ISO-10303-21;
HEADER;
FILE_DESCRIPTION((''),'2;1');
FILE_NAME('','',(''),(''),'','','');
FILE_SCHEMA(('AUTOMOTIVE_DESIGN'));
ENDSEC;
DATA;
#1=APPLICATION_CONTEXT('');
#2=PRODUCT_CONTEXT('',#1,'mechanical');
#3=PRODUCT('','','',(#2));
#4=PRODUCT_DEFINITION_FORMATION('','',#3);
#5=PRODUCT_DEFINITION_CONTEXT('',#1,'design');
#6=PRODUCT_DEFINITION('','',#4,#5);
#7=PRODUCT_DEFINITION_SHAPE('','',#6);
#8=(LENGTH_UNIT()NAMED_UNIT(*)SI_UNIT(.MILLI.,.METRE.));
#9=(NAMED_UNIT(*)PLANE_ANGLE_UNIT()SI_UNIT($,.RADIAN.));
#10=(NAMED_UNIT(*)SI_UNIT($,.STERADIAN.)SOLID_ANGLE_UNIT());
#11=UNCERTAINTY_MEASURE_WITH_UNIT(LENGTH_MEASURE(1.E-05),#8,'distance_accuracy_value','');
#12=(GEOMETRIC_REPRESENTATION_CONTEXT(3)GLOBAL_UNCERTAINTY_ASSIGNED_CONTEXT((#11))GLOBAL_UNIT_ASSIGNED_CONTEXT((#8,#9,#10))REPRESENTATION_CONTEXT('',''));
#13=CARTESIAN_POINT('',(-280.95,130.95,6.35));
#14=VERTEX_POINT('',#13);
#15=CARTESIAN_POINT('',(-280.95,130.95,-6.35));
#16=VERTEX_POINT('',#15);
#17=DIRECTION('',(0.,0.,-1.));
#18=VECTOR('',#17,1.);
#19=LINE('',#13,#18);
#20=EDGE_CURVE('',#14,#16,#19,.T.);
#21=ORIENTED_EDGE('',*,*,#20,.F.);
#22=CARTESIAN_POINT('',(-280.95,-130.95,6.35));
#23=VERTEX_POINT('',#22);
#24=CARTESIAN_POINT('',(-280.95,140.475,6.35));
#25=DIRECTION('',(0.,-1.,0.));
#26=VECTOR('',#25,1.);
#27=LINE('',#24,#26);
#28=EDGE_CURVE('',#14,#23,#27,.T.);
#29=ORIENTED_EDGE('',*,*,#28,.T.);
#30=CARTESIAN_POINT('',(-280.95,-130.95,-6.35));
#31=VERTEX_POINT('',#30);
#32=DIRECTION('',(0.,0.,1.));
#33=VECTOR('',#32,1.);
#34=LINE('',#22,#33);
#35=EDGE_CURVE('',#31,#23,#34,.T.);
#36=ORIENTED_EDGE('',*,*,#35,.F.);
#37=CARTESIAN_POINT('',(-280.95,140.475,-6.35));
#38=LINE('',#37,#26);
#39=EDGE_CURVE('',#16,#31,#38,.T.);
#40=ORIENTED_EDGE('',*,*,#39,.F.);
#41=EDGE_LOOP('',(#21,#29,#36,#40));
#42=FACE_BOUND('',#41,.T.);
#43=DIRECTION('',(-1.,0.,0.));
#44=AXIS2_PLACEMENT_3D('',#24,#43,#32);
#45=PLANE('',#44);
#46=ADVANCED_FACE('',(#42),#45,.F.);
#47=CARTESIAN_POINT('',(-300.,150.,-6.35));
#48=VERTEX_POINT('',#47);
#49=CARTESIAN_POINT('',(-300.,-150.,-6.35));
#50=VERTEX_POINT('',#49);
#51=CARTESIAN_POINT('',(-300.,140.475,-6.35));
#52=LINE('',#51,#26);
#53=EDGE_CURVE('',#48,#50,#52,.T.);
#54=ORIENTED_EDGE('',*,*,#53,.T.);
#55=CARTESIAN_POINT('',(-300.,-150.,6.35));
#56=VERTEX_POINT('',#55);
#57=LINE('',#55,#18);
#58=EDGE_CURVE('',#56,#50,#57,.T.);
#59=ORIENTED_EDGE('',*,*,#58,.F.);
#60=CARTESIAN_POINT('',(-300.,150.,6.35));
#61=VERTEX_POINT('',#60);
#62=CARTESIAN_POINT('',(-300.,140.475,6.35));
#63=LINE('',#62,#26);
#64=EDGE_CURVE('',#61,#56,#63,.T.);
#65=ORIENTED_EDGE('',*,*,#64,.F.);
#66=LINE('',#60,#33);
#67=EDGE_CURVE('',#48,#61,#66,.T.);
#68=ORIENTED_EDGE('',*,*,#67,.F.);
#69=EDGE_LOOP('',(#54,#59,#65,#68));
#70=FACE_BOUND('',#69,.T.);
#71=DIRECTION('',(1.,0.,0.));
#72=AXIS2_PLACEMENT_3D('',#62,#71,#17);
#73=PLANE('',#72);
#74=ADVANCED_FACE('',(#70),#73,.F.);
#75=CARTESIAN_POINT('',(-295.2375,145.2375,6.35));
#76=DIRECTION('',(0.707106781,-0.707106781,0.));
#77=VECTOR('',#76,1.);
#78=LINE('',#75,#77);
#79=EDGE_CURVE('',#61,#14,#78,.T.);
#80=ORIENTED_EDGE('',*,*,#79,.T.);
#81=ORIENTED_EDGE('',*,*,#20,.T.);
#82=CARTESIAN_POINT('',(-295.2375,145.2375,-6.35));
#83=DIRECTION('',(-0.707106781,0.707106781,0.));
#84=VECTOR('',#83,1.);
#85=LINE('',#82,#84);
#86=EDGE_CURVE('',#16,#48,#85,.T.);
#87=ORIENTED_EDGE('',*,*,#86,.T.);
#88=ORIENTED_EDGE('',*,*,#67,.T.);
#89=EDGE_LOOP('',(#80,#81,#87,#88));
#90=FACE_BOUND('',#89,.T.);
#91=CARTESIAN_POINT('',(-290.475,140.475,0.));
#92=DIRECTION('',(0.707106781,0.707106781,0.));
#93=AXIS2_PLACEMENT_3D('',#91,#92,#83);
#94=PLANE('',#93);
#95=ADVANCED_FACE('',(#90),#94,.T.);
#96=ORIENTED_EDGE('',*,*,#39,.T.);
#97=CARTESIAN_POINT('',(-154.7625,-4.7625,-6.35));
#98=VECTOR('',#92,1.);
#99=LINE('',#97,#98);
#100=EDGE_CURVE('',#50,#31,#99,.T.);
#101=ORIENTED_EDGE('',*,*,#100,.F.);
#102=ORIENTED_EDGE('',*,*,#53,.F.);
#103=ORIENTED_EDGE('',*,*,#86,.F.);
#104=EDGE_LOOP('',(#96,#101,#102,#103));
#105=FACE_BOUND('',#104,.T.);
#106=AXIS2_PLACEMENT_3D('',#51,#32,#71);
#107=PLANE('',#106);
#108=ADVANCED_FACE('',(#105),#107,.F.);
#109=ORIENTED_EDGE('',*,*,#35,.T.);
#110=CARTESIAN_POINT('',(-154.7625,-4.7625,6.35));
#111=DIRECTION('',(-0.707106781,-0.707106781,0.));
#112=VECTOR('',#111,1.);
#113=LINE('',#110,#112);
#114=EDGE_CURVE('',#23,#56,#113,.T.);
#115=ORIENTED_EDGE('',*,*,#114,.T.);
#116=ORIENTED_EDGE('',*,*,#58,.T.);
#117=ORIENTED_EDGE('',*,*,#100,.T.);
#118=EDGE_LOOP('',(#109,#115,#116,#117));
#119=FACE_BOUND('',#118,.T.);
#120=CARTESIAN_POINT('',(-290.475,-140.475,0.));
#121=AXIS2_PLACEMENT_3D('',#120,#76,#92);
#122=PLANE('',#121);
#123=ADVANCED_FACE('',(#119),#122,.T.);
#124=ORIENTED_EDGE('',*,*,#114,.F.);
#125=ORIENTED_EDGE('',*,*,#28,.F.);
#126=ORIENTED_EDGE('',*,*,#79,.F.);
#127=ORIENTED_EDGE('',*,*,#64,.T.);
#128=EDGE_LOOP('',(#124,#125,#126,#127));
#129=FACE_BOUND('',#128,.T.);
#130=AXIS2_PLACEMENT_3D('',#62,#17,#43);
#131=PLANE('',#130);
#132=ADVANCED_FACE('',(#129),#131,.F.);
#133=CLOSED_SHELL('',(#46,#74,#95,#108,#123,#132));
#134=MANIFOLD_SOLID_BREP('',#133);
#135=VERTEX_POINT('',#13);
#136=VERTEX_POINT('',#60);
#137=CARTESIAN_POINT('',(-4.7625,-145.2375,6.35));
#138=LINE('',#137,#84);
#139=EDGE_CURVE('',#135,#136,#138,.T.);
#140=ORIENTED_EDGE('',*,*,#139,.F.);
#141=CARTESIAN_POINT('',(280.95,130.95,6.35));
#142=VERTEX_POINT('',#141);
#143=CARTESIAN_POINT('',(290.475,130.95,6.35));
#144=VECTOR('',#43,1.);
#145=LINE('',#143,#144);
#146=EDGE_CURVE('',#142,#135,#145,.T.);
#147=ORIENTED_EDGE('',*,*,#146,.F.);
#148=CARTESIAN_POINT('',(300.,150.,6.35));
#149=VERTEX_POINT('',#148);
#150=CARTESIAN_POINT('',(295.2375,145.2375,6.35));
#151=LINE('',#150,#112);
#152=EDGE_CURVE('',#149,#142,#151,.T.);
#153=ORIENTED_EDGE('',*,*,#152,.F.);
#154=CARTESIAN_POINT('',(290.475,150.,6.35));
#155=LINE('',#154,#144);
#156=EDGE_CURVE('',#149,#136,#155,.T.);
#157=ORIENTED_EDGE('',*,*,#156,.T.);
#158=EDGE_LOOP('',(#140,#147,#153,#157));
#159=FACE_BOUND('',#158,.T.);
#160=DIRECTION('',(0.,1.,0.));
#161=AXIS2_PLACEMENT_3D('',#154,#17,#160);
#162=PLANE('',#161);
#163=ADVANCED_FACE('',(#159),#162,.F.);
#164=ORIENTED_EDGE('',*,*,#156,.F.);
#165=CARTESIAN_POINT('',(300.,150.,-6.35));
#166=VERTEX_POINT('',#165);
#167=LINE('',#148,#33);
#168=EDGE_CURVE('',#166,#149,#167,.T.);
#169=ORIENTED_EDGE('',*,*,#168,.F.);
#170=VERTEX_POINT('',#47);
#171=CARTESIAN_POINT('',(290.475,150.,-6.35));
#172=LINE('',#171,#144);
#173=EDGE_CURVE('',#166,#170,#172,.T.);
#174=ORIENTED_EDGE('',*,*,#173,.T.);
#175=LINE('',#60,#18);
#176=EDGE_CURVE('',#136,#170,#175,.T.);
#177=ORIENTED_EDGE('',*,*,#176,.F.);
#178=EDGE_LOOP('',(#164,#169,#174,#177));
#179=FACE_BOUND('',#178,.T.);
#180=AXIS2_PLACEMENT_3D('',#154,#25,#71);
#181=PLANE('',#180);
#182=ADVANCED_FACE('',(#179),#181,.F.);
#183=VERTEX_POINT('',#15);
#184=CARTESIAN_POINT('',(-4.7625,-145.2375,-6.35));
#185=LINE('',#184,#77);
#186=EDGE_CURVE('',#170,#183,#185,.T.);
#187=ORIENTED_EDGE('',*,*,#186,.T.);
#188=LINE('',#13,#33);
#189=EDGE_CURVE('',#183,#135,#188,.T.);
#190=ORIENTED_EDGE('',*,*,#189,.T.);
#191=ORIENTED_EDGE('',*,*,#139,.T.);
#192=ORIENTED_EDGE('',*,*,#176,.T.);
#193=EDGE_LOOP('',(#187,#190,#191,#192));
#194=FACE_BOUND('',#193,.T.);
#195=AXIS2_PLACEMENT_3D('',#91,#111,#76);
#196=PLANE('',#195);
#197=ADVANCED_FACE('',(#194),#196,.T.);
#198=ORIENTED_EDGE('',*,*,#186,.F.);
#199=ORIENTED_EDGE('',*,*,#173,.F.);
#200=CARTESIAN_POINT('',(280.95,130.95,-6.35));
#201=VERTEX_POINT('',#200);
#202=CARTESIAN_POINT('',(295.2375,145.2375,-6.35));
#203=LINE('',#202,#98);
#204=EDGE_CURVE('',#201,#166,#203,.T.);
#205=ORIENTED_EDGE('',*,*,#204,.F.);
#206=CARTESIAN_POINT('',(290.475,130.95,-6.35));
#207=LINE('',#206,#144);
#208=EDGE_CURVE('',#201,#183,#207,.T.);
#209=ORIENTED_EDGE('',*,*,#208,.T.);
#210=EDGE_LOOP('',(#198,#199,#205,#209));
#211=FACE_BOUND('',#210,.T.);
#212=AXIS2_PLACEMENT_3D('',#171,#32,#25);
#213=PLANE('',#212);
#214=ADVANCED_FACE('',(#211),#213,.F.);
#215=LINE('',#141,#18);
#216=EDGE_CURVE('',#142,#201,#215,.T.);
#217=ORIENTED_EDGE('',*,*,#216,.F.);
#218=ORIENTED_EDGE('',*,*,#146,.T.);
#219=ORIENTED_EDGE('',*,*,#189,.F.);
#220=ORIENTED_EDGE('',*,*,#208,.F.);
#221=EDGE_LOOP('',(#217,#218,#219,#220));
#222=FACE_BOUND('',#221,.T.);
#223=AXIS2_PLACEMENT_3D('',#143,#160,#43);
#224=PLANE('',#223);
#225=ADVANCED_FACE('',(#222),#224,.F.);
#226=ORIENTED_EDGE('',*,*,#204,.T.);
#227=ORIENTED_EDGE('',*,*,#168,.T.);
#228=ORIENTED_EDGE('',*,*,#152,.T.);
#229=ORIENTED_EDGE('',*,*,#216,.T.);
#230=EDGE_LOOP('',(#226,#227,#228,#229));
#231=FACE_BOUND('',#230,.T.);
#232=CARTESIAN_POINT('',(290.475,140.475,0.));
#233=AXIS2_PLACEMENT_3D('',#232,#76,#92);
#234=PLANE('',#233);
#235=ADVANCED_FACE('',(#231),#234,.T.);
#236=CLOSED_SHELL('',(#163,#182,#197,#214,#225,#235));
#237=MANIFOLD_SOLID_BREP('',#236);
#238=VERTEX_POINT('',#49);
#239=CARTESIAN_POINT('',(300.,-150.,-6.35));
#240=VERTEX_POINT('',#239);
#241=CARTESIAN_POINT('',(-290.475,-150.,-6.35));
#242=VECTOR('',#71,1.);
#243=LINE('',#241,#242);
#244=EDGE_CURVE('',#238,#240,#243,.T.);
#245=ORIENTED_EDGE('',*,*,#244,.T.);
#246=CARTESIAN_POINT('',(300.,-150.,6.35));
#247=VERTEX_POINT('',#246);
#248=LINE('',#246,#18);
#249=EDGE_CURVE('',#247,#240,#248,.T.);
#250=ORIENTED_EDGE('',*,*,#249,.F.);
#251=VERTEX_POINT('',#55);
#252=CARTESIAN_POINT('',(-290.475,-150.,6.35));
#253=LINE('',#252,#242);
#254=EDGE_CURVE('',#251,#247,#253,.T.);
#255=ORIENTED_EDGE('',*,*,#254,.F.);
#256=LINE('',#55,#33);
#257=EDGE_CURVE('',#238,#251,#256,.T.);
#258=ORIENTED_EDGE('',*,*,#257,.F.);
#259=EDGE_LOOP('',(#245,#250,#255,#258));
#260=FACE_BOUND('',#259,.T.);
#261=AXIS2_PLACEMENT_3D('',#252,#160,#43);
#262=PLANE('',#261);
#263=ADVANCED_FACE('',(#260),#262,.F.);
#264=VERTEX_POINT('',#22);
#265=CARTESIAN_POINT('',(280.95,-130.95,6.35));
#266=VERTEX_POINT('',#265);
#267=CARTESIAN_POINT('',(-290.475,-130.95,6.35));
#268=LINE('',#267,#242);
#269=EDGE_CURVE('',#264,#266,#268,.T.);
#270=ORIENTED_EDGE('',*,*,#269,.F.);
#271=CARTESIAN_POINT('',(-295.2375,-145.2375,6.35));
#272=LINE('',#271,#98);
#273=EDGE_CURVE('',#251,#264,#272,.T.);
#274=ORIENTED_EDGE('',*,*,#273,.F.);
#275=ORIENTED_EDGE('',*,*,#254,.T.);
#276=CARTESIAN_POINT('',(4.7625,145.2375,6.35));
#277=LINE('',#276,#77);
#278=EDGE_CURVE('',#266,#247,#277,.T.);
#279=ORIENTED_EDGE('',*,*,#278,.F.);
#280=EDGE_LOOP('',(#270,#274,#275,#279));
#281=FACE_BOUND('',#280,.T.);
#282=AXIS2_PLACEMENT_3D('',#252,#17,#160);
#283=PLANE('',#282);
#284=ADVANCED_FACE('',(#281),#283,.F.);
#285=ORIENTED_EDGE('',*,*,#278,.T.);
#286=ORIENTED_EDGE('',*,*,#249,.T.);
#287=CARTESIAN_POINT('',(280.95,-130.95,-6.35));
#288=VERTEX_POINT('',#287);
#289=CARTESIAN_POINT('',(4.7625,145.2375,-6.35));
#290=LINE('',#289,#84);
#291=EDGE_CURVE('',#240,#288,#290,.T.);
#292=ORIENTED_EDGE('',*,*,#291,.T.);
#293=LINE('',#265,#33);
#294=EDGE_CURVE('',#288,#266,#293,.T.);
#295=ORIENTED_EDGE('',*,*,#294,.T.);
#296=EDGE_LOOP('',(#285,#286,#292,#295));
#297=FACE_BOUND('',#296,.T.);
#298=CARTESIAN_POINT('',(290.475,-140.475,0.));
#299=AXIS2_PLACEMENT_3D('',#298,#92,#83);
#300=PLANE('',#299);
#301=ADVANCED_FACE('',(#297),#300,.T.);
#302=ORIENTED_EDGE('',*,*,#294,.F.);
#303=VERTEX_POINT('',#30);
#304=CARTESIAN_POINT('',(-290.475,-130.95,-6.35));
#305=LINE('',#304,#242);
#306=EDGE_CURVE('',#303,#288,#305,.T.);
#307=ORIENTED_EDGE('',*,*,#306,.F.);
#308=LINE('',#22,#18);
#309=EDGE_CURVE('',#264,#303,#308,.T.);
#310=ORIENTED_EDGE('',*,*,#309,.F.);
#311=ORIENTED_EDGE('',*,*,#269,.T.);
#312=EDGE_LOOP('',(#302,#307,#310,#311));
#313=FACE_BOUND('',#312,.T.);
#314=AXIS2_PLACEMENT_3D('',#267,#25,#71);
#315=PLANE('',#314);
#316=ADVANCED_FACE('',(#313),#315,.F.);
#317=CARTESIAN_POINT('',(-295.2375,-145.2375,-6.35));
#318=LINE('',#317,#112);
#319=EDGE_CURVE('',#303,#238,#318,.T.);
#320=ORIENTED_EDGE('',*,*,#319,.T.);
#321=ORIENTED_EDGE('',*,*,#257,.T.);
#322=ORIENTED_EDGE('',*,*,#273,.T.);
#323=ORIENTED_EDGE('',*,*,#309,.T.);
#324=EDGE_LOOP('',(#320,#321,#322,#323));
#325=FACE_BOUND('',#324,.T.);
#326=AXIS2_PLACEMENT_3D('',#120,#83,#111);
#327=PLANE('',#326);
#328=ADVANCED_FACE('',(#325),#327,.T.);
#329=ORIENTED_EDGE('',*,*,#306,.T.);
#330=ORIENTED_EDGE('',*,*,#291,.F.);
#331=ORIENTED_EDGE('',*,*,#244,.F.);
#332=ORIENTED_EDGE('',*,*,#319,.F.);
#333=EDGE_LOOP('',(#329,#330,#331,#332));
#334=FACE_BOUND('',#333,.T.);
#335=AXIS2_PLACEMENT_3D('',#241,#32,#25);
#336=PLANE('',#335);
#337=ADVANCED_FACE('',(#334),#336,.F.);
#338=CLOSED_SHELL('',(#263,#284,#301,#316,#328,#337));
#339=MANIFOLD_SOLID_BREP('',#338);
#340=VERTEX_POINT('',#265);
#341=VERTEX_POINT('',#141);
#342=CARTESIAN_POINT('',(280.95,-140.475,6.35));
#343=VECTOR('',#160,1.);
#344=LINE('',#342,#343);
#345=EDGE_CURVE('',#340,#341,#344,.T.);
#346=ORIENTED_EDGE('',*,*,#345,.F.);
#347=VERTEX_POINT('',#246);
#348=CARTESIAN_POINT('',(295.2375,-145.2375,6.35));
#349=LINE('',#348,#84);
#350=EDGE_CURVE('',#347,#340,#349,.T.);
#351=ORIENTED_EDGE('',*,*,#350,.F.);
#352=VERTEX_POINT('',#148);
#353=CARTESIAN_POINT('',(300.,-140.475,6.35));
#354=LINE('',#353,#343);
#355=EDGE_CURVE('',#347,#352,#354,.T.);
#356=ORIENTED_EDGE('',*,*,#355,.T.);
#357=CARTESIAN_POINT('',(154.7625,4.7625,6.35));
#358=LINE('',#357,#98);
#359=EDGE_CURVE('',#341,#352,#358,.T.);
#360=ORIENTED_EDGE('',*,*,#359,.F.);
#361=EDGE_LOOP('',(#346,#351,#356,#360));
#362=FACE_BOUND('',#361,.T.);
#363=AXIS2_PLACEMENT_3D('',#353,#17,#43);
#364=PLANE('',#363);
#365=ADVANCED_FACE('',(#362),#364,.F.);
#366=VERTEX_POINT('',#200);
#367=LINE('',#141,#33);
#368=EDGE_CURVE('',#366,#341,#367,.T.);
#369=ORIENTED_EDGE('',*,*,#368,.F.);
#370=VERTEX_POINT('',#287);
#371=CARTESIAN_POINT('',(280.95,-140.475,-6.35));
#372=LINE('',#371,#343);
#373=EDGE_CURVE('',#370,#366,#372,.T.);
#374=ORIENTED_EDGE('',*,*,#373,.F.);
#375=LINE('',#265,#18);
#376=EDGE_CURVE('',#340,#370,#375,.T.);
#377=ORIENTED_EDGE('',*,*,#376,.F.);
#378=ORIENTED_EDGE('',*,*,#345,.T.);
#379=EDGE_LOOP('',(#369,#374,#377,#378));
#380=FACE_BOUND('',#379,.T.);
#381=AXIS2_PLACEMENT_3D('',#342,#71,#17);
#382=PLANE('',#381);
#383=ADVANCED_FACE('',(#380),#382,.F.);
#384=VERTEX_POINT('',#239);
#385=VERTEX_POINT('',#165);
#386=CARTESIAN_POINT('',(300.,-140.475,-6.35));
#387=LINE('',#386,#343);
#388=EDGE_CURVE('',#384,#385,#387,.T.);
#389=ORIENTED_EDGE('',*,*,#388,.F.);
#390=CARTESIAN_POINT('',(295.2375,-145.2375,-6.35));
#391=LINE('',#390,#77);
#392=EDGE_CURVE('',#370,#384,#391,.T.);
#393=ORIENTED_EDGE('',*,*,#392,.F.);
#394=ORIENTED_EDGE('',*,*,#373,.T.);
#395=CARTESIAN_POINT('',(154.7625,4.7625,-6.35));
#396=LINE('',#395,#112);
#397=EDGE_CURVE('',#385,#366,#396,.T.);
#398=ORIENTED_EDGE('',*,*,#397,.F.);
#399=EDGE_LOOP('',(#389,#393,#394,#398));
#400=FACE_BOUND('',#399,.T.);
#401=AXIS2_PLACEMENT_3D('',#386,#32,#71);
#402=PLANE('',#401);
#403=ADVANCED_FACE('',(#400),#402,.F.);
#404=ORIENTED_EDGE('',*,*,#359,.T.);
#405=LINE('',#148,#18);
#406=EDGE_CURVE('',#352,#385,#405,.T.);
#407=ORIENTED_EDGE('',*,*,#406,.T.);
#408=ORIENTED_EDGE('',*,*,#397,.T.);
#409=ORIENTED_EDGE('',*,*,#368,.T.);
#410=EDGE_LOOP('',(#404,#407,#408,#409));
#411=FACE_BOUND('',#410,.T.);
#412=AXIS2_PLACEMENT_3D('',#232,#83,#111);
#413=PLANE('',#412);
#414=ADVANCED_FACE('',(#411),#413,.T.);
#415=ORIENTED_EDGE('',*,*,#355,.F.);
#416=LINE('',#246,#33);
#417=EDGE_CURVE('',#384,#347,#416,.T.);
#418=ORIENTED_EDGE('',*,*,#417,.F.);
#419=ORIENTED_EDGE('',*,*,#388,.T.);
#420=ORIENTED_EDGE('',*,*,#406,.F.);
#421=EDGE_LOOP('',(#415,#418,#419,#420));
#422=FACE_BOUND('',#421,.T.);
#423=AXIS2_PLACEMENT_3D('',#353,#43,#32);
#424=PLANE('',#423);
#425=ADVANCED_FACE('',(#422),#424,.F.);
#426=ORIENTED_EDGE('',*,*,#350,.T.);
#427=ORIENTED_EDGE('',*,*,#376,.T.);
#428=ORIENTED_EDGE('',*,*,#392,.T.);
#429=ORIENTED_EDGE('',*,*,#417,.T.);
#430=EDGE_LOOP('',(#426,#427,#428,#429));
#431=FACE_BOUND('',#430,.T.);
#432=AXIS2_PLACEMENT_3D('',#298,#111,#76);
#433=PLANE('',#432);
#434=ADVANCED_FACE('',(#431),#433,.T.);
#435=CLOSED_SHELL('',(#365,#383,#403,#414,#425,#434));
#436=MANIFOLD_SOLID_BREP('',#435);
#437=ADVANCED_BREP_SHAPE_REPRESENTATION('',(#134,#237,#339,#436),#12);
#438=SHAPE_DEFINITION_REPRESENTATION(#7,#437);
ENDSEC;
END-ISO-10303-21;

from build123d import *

# Parameters (mm, degrees)
AL_SOLID_PROFILES_0_75_X_0_5_1_DEPTH      = 593.3976253
AL_SOLID_PROFILES_0_75_X_0_5_1_DEPTH_BACK = 12.4476253
CROQUIS18_W                               = 19.05
CROQUIS18_H                               = 12.7
CROQUIS18_ON_SEGMENT_2_W                  = 19.05
CROQUIS18_ON_SEGMENT_2_H                  = 12.7
AL_SOLID_PROFILES_0_75_X_0_5_1_2_DEPTH    = 305.845250599
CROQUIS18_ON_SEGMENT_3_W                  = 19.05
CROQUIS18_ON_SEGMENT_3_H                  = 12.7
AL_SOLID_PROFILES_0_75_X_0_5_1_3_DEPTH    = 605.845250599
CROQUIS18_ON_SEGMENT_4_W                  = 19.05
CROQUIS18_ON_SEGMENT_4_H                  = 12.7
AL_SOLID_PROFILES_0_75_X_0_5_1_4_DEPTH    = 305.845250599


with BuildPart() as part:
    # Croquis18 → Al solid profiles 0.75 X 0.5(1) (new, two sides: drawn at the far end of the back side and taken through both)
    with BuildSketch(Plane(origin=(290.475, -140.475, 0), x_dir=(0, -1, 0), z_dir=(-1, 0, 0)).offset(-AL_SOLID_PROFILES_0_75_X_0_5_1_DEPTH_BACK)):
        Rectangle(CROQUIS18_W, CROQUIS18_H)
    extrude(amount=AL_SOLID_PROFILES_0_75_X_0_5_1_DEPTH + AL_SOLID_PROFILES_0_75_X_0_5_1_DEPTH_BACK)

    # Al solid profiles 0.75 X 0.5(1) mitre 1
    split(bisect_by=Plane(origin=(290.475, -140.475, 0), x_dir=(0.707106781, -0.707106781, 0), z_dir=(-0.707106781, -0.707106781, 0)), keep=Keep.TOP)

    # Al solid profiles 0.75 X 0.5(1) mitre 2
    split(bisect_by=Plane(origin=(-290.475, -140.475, 0), x_dir=(0.707106781, 0.707106781, 0), z_dir=(0.707106781, -0.707106781, 0)), keep=Keep.TOP)


with BuildPart() as body_2:
    # Croquis18 on segment 2 (carried to segment 2) → Al solid profiles 0.75 X 0.5_1 2 (new body)
    with BuildSketch(Plane(origin=(-290.475, -152.9226253, 0), x_dir=(-1, 0, 0), z_dir=(0, 1, 0))):
        Rectangle(CROQUIS18_ON_SEGMENT_2_W, CROQUIS18_ON_SEGMENT_2_H)
    extrude(amount=AL_SOLID_PROFILES_0_75_X_0_5_1_2_DEPTH)

    # Al solid profiles 0.75 X 0.5_1 2 mitre 1
    split(bisect_by=Plane(origin=(-290.475, 140.475, 0), x_dir=(0.707106781, -0.707106781, 0), z_dir=(-0.707106781, -0.707106781, 0)), keep=Keep.TOP)

    # Al solid profiles 0.75 X 0.5_1 2 mitre 2
    split(bisect_by=Plane(origin=(-290.475, -140.475, 0), x_dir=(-0.707106781, -0.707106781, 0), z_dir=(-0.707106781, 0.707106781, 0)), keep=Keep.TOP)


with BuildPart() as body_3:
    # Croquis18 on segment 3 (carried to segment 3) → Al solid profiles 0.75 X 0.5_1 3 (new body)
    with BuildSketch(Plane(origin=(-302.9226253, 140.475, 0), x_dir=(0, 1, 0), z_dir=(1, 0, 0))):
        Rectangle(CROQUIS18_ON_SEGMENT_3_W, CROQUIS18_ON_SEGMENT_3_H)
    extrude(amount=AL_SOLID_PROFILES_0_75_X_0_5_1_3_DEPTH)

    # Al solid profiles 0.75 X 0.5_1 3 mitre 1
    split(bisect_by=Plane(origin=(290.475, 140.475, 0), x_dir=(-0.707106781, -0.707106781, 0), z_dir=(-0.707106781, 0.707106781, 0)), keep=Keep.TOP)

    # Al solid profiles 0.75 X 0.5_1 3 mitre 2
    split(bisect_by=Plane(origin=(-290.475, 140.475, 0), x_dir=(-0.707106781, 0.707106781, 0), z_dir=(0.707106781, 0.707106781, 0)), keep=Keep.TOP)


with BuildPart() as body_4:
    # Croquis18 on segment 4 (carried to segment 4) → Al solid profiles 0.75 X 0.5_1 4 (new body)
    with BuildSketch(Plane(origin=(290.475, 152.9226253, 0), x_dir=(1, 0, 0), z_dir=(0, -1, 0))):
        Rectangle(CROQUIS18_ON_SEGMENT_4_W, CROQUIS18_ON_SEGMENT_4_H)
    extrude(amount=AL_SOLID_PROFILES_0_75_X_0_5_1_4_DEPTH)

    # Al solid profiles 0.75 X 0.5_1 4 mitre 1
    split(bisect_by=Plane(origin=(290.475, 140.475, 0), x_dir=(0.707106781, 0.707106781, 0), z_dir=(0.707106781, -0.707106781, 0)), keep=Keep.TOP)

    # Al solid profiles 0.75 X 0.5_1 4 mitre 2
    split(bisect_by=Plane(origin=(290.475, -140.475, 0), x_dir=(-0.707106781, 0.707106781, 0), z_dir=(0.707106781, 0.707106781, 0)), keep=Keep.TOP)


solid = Compound([part.part, body_2.part, body_3.part, body_4.part])
